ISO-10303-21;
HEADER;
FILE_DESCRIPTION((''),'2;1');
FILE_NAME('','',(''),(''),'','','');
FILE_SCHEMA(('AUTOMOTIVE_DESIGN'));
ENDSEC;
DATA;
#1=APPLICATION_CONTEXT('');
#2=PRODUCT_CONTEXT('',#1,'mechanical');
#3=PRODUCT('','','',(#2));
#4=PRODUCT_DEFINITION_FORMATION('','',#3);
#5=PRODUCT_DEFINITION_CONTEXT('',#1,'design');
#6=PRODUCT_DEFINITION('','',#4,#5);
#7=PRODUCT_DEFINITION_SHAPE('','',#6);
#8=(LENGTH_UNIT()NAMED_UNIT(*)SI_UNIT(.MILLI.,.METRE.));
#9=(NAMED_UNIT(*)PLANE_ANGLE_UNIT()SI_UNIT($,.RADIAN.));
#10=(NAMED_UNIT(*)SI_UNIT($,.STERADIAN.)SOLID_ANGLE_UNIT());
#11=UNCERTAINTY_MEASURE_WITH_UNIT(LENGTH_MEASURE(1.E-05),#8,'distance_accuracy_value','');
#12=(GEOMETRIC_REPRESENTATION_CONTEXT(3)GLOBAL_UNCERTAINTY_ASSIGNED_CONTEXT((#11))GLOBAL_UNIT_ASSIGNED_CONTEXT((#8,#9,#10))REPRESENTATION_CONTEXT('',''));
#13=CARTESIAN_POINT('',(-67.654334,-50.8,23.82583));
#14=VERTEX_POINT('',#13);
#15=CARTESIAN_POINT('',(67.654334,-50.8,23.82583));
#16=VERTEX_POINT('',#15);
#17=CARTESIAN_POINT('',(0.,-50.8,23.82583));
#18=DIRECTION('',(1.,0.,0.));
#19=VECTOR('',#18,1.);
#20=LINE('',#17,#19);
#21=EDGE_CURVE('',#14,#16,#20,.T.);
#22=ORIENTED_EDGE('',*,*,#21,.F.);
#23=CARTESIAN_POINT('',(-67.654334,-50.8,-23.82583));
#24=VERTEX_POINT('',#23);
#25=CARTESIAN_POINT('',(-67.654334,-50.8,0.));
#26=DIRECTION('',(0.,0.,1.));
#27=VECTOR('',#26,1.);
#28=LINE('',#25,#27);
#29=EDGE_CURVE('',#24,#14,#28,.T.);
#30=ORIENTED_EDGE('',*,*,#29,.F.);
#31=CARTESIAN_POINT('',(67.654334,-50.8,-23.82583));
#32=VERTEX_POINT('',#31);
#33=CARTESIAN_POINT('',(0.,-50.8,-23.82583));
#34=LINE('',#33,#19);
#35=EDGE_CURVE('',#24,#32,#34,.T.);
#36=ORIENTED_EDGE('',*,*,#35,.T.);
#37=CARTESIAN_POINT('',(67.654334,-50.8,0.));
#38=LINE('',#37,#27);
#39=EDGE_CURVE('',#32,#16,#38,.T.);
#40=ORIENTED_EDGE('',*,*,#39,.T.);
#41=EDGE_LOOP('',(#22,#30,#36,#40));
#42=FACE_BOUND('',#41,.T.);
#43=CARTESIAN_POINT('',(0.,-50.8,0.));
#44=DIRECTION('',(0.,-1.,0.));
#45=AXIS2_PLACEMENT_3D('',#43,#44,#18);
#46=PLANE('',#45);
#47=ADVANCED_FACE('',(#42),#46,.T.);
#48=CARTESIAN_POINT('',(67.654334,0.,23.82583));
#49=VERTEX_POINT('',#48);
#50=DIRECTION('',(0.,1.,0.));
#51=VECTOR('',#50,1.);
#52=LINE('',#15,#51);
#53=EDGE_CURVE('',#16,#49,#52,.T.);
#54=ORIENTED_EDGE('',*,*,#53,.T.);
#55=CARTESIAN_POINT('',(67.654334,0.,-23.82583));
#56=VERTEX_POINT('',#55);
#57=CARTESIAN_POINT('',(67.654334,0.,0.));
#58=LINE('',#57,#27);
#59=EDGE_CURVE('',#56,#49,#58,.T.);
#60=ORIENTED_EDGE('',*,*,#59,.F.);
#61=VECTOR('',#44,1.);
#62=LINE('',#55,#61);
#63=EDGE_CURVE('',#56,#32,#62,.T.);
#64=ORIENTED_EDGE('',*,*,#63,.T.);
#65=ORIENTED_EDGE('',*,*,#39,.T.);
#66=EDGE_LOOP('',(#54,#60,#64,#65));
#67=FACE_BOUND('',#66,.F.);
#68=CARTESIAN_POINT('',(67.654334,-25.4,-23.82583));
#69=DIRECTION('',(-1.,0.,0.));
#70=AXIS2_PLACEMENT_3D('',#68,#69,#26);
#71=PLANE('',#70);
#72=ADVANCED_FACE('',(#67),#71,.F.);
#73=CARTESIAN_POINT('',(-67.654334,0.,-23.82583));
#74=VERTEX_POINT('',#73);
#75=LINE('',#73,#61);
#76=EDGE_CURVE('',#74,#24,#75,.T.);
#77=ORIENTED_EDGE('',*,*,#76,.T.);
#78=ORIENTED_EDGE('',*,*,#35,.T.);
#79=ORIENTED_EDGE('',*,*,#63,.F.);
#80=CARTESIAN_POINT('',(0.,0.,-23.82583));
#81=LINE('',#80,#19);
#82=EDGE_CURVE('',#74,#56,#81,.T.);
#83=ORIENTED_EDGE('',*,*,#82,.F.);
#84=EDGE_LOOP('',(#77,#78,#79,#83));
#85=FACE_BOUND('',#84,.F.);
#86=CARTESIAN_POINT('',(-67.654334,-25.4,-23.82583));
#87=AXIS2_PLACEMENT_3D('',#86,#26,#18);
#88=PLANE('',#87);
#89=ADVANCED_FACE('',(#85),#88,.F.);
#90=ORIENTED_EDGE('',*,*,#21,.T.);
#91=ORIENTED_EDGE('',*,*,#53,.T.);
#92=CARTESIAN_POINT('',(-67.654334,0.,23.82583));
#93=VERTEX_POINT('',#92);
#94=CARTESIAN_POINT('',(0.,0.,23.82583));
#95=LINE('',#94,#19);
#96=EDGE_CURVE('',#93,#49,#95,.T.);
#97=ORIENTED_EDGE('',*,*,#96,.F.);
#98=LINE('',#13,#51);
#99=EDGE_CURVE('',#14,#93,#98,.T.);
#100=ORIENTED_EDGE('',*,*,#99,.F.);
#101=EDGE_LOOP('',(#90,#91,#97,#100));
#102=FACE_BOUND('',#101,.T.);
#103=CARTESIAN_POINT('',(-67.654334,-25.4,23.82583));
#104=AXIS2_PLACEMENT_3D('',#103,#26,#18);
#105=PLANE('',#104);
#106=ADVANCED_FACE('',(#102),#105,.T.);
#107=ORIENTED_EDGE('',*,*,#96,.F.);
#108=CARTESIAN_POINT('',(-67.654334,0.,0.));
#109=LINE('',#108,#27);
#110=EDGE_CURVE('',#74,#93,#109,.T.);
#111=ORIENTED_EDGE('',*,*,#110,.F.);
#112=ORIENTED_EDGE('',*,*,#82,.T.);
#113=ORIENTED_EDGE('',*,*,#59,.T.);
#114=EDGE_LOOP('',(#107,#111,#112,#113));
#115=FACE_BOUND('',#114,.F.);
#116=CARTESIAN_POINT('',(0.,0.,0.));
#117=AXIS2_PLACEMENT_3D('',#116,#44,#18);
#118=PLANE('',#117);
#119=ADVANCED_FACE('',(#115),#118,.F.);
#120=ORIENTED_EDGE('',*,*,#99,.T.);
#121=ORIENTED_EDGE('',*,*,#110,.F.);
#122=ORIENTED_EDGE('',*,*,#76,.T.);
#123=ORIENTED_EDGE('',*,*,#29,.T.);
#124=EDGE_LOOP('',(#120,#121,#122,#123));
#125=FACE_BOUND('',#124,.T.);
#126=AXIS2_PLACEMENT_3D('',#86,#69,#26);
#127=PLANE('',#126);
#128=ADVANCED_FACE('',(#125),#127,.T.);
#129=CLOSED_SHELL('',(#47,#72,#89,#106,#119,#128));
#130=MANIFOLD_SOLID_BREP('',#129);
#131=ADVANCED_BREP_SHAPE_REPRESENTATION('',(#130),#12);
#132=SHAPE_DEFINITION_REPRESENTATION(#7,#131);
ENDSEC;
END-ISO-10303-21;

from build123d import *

# Parameters (mm, degrees)
F0_W      = 135.308668
F0_H      = 47.65166
F1_DEPTH  = 25.4
F1_FACE_W = 135.308668
F1_FACE_H = 47.65166
F2_DEPTH  = 25.4


with BuildPart() as f1:
    # F0 (on Front) → F1 (new body)
    with BuildSketch(Plane.XZ):
        Rectangle(F0_W, F0_H)
    extrude(amount=F1_DEPTH)

    # F1_face (on face) → F2 (join)
    with BuildSketch(Plane.XZ.offset(25.4)):
        Rectangle(F1_FACE_W, F1_FACE_H)
    extrude(amount=F2_DEPTH)


solid = f1.part
